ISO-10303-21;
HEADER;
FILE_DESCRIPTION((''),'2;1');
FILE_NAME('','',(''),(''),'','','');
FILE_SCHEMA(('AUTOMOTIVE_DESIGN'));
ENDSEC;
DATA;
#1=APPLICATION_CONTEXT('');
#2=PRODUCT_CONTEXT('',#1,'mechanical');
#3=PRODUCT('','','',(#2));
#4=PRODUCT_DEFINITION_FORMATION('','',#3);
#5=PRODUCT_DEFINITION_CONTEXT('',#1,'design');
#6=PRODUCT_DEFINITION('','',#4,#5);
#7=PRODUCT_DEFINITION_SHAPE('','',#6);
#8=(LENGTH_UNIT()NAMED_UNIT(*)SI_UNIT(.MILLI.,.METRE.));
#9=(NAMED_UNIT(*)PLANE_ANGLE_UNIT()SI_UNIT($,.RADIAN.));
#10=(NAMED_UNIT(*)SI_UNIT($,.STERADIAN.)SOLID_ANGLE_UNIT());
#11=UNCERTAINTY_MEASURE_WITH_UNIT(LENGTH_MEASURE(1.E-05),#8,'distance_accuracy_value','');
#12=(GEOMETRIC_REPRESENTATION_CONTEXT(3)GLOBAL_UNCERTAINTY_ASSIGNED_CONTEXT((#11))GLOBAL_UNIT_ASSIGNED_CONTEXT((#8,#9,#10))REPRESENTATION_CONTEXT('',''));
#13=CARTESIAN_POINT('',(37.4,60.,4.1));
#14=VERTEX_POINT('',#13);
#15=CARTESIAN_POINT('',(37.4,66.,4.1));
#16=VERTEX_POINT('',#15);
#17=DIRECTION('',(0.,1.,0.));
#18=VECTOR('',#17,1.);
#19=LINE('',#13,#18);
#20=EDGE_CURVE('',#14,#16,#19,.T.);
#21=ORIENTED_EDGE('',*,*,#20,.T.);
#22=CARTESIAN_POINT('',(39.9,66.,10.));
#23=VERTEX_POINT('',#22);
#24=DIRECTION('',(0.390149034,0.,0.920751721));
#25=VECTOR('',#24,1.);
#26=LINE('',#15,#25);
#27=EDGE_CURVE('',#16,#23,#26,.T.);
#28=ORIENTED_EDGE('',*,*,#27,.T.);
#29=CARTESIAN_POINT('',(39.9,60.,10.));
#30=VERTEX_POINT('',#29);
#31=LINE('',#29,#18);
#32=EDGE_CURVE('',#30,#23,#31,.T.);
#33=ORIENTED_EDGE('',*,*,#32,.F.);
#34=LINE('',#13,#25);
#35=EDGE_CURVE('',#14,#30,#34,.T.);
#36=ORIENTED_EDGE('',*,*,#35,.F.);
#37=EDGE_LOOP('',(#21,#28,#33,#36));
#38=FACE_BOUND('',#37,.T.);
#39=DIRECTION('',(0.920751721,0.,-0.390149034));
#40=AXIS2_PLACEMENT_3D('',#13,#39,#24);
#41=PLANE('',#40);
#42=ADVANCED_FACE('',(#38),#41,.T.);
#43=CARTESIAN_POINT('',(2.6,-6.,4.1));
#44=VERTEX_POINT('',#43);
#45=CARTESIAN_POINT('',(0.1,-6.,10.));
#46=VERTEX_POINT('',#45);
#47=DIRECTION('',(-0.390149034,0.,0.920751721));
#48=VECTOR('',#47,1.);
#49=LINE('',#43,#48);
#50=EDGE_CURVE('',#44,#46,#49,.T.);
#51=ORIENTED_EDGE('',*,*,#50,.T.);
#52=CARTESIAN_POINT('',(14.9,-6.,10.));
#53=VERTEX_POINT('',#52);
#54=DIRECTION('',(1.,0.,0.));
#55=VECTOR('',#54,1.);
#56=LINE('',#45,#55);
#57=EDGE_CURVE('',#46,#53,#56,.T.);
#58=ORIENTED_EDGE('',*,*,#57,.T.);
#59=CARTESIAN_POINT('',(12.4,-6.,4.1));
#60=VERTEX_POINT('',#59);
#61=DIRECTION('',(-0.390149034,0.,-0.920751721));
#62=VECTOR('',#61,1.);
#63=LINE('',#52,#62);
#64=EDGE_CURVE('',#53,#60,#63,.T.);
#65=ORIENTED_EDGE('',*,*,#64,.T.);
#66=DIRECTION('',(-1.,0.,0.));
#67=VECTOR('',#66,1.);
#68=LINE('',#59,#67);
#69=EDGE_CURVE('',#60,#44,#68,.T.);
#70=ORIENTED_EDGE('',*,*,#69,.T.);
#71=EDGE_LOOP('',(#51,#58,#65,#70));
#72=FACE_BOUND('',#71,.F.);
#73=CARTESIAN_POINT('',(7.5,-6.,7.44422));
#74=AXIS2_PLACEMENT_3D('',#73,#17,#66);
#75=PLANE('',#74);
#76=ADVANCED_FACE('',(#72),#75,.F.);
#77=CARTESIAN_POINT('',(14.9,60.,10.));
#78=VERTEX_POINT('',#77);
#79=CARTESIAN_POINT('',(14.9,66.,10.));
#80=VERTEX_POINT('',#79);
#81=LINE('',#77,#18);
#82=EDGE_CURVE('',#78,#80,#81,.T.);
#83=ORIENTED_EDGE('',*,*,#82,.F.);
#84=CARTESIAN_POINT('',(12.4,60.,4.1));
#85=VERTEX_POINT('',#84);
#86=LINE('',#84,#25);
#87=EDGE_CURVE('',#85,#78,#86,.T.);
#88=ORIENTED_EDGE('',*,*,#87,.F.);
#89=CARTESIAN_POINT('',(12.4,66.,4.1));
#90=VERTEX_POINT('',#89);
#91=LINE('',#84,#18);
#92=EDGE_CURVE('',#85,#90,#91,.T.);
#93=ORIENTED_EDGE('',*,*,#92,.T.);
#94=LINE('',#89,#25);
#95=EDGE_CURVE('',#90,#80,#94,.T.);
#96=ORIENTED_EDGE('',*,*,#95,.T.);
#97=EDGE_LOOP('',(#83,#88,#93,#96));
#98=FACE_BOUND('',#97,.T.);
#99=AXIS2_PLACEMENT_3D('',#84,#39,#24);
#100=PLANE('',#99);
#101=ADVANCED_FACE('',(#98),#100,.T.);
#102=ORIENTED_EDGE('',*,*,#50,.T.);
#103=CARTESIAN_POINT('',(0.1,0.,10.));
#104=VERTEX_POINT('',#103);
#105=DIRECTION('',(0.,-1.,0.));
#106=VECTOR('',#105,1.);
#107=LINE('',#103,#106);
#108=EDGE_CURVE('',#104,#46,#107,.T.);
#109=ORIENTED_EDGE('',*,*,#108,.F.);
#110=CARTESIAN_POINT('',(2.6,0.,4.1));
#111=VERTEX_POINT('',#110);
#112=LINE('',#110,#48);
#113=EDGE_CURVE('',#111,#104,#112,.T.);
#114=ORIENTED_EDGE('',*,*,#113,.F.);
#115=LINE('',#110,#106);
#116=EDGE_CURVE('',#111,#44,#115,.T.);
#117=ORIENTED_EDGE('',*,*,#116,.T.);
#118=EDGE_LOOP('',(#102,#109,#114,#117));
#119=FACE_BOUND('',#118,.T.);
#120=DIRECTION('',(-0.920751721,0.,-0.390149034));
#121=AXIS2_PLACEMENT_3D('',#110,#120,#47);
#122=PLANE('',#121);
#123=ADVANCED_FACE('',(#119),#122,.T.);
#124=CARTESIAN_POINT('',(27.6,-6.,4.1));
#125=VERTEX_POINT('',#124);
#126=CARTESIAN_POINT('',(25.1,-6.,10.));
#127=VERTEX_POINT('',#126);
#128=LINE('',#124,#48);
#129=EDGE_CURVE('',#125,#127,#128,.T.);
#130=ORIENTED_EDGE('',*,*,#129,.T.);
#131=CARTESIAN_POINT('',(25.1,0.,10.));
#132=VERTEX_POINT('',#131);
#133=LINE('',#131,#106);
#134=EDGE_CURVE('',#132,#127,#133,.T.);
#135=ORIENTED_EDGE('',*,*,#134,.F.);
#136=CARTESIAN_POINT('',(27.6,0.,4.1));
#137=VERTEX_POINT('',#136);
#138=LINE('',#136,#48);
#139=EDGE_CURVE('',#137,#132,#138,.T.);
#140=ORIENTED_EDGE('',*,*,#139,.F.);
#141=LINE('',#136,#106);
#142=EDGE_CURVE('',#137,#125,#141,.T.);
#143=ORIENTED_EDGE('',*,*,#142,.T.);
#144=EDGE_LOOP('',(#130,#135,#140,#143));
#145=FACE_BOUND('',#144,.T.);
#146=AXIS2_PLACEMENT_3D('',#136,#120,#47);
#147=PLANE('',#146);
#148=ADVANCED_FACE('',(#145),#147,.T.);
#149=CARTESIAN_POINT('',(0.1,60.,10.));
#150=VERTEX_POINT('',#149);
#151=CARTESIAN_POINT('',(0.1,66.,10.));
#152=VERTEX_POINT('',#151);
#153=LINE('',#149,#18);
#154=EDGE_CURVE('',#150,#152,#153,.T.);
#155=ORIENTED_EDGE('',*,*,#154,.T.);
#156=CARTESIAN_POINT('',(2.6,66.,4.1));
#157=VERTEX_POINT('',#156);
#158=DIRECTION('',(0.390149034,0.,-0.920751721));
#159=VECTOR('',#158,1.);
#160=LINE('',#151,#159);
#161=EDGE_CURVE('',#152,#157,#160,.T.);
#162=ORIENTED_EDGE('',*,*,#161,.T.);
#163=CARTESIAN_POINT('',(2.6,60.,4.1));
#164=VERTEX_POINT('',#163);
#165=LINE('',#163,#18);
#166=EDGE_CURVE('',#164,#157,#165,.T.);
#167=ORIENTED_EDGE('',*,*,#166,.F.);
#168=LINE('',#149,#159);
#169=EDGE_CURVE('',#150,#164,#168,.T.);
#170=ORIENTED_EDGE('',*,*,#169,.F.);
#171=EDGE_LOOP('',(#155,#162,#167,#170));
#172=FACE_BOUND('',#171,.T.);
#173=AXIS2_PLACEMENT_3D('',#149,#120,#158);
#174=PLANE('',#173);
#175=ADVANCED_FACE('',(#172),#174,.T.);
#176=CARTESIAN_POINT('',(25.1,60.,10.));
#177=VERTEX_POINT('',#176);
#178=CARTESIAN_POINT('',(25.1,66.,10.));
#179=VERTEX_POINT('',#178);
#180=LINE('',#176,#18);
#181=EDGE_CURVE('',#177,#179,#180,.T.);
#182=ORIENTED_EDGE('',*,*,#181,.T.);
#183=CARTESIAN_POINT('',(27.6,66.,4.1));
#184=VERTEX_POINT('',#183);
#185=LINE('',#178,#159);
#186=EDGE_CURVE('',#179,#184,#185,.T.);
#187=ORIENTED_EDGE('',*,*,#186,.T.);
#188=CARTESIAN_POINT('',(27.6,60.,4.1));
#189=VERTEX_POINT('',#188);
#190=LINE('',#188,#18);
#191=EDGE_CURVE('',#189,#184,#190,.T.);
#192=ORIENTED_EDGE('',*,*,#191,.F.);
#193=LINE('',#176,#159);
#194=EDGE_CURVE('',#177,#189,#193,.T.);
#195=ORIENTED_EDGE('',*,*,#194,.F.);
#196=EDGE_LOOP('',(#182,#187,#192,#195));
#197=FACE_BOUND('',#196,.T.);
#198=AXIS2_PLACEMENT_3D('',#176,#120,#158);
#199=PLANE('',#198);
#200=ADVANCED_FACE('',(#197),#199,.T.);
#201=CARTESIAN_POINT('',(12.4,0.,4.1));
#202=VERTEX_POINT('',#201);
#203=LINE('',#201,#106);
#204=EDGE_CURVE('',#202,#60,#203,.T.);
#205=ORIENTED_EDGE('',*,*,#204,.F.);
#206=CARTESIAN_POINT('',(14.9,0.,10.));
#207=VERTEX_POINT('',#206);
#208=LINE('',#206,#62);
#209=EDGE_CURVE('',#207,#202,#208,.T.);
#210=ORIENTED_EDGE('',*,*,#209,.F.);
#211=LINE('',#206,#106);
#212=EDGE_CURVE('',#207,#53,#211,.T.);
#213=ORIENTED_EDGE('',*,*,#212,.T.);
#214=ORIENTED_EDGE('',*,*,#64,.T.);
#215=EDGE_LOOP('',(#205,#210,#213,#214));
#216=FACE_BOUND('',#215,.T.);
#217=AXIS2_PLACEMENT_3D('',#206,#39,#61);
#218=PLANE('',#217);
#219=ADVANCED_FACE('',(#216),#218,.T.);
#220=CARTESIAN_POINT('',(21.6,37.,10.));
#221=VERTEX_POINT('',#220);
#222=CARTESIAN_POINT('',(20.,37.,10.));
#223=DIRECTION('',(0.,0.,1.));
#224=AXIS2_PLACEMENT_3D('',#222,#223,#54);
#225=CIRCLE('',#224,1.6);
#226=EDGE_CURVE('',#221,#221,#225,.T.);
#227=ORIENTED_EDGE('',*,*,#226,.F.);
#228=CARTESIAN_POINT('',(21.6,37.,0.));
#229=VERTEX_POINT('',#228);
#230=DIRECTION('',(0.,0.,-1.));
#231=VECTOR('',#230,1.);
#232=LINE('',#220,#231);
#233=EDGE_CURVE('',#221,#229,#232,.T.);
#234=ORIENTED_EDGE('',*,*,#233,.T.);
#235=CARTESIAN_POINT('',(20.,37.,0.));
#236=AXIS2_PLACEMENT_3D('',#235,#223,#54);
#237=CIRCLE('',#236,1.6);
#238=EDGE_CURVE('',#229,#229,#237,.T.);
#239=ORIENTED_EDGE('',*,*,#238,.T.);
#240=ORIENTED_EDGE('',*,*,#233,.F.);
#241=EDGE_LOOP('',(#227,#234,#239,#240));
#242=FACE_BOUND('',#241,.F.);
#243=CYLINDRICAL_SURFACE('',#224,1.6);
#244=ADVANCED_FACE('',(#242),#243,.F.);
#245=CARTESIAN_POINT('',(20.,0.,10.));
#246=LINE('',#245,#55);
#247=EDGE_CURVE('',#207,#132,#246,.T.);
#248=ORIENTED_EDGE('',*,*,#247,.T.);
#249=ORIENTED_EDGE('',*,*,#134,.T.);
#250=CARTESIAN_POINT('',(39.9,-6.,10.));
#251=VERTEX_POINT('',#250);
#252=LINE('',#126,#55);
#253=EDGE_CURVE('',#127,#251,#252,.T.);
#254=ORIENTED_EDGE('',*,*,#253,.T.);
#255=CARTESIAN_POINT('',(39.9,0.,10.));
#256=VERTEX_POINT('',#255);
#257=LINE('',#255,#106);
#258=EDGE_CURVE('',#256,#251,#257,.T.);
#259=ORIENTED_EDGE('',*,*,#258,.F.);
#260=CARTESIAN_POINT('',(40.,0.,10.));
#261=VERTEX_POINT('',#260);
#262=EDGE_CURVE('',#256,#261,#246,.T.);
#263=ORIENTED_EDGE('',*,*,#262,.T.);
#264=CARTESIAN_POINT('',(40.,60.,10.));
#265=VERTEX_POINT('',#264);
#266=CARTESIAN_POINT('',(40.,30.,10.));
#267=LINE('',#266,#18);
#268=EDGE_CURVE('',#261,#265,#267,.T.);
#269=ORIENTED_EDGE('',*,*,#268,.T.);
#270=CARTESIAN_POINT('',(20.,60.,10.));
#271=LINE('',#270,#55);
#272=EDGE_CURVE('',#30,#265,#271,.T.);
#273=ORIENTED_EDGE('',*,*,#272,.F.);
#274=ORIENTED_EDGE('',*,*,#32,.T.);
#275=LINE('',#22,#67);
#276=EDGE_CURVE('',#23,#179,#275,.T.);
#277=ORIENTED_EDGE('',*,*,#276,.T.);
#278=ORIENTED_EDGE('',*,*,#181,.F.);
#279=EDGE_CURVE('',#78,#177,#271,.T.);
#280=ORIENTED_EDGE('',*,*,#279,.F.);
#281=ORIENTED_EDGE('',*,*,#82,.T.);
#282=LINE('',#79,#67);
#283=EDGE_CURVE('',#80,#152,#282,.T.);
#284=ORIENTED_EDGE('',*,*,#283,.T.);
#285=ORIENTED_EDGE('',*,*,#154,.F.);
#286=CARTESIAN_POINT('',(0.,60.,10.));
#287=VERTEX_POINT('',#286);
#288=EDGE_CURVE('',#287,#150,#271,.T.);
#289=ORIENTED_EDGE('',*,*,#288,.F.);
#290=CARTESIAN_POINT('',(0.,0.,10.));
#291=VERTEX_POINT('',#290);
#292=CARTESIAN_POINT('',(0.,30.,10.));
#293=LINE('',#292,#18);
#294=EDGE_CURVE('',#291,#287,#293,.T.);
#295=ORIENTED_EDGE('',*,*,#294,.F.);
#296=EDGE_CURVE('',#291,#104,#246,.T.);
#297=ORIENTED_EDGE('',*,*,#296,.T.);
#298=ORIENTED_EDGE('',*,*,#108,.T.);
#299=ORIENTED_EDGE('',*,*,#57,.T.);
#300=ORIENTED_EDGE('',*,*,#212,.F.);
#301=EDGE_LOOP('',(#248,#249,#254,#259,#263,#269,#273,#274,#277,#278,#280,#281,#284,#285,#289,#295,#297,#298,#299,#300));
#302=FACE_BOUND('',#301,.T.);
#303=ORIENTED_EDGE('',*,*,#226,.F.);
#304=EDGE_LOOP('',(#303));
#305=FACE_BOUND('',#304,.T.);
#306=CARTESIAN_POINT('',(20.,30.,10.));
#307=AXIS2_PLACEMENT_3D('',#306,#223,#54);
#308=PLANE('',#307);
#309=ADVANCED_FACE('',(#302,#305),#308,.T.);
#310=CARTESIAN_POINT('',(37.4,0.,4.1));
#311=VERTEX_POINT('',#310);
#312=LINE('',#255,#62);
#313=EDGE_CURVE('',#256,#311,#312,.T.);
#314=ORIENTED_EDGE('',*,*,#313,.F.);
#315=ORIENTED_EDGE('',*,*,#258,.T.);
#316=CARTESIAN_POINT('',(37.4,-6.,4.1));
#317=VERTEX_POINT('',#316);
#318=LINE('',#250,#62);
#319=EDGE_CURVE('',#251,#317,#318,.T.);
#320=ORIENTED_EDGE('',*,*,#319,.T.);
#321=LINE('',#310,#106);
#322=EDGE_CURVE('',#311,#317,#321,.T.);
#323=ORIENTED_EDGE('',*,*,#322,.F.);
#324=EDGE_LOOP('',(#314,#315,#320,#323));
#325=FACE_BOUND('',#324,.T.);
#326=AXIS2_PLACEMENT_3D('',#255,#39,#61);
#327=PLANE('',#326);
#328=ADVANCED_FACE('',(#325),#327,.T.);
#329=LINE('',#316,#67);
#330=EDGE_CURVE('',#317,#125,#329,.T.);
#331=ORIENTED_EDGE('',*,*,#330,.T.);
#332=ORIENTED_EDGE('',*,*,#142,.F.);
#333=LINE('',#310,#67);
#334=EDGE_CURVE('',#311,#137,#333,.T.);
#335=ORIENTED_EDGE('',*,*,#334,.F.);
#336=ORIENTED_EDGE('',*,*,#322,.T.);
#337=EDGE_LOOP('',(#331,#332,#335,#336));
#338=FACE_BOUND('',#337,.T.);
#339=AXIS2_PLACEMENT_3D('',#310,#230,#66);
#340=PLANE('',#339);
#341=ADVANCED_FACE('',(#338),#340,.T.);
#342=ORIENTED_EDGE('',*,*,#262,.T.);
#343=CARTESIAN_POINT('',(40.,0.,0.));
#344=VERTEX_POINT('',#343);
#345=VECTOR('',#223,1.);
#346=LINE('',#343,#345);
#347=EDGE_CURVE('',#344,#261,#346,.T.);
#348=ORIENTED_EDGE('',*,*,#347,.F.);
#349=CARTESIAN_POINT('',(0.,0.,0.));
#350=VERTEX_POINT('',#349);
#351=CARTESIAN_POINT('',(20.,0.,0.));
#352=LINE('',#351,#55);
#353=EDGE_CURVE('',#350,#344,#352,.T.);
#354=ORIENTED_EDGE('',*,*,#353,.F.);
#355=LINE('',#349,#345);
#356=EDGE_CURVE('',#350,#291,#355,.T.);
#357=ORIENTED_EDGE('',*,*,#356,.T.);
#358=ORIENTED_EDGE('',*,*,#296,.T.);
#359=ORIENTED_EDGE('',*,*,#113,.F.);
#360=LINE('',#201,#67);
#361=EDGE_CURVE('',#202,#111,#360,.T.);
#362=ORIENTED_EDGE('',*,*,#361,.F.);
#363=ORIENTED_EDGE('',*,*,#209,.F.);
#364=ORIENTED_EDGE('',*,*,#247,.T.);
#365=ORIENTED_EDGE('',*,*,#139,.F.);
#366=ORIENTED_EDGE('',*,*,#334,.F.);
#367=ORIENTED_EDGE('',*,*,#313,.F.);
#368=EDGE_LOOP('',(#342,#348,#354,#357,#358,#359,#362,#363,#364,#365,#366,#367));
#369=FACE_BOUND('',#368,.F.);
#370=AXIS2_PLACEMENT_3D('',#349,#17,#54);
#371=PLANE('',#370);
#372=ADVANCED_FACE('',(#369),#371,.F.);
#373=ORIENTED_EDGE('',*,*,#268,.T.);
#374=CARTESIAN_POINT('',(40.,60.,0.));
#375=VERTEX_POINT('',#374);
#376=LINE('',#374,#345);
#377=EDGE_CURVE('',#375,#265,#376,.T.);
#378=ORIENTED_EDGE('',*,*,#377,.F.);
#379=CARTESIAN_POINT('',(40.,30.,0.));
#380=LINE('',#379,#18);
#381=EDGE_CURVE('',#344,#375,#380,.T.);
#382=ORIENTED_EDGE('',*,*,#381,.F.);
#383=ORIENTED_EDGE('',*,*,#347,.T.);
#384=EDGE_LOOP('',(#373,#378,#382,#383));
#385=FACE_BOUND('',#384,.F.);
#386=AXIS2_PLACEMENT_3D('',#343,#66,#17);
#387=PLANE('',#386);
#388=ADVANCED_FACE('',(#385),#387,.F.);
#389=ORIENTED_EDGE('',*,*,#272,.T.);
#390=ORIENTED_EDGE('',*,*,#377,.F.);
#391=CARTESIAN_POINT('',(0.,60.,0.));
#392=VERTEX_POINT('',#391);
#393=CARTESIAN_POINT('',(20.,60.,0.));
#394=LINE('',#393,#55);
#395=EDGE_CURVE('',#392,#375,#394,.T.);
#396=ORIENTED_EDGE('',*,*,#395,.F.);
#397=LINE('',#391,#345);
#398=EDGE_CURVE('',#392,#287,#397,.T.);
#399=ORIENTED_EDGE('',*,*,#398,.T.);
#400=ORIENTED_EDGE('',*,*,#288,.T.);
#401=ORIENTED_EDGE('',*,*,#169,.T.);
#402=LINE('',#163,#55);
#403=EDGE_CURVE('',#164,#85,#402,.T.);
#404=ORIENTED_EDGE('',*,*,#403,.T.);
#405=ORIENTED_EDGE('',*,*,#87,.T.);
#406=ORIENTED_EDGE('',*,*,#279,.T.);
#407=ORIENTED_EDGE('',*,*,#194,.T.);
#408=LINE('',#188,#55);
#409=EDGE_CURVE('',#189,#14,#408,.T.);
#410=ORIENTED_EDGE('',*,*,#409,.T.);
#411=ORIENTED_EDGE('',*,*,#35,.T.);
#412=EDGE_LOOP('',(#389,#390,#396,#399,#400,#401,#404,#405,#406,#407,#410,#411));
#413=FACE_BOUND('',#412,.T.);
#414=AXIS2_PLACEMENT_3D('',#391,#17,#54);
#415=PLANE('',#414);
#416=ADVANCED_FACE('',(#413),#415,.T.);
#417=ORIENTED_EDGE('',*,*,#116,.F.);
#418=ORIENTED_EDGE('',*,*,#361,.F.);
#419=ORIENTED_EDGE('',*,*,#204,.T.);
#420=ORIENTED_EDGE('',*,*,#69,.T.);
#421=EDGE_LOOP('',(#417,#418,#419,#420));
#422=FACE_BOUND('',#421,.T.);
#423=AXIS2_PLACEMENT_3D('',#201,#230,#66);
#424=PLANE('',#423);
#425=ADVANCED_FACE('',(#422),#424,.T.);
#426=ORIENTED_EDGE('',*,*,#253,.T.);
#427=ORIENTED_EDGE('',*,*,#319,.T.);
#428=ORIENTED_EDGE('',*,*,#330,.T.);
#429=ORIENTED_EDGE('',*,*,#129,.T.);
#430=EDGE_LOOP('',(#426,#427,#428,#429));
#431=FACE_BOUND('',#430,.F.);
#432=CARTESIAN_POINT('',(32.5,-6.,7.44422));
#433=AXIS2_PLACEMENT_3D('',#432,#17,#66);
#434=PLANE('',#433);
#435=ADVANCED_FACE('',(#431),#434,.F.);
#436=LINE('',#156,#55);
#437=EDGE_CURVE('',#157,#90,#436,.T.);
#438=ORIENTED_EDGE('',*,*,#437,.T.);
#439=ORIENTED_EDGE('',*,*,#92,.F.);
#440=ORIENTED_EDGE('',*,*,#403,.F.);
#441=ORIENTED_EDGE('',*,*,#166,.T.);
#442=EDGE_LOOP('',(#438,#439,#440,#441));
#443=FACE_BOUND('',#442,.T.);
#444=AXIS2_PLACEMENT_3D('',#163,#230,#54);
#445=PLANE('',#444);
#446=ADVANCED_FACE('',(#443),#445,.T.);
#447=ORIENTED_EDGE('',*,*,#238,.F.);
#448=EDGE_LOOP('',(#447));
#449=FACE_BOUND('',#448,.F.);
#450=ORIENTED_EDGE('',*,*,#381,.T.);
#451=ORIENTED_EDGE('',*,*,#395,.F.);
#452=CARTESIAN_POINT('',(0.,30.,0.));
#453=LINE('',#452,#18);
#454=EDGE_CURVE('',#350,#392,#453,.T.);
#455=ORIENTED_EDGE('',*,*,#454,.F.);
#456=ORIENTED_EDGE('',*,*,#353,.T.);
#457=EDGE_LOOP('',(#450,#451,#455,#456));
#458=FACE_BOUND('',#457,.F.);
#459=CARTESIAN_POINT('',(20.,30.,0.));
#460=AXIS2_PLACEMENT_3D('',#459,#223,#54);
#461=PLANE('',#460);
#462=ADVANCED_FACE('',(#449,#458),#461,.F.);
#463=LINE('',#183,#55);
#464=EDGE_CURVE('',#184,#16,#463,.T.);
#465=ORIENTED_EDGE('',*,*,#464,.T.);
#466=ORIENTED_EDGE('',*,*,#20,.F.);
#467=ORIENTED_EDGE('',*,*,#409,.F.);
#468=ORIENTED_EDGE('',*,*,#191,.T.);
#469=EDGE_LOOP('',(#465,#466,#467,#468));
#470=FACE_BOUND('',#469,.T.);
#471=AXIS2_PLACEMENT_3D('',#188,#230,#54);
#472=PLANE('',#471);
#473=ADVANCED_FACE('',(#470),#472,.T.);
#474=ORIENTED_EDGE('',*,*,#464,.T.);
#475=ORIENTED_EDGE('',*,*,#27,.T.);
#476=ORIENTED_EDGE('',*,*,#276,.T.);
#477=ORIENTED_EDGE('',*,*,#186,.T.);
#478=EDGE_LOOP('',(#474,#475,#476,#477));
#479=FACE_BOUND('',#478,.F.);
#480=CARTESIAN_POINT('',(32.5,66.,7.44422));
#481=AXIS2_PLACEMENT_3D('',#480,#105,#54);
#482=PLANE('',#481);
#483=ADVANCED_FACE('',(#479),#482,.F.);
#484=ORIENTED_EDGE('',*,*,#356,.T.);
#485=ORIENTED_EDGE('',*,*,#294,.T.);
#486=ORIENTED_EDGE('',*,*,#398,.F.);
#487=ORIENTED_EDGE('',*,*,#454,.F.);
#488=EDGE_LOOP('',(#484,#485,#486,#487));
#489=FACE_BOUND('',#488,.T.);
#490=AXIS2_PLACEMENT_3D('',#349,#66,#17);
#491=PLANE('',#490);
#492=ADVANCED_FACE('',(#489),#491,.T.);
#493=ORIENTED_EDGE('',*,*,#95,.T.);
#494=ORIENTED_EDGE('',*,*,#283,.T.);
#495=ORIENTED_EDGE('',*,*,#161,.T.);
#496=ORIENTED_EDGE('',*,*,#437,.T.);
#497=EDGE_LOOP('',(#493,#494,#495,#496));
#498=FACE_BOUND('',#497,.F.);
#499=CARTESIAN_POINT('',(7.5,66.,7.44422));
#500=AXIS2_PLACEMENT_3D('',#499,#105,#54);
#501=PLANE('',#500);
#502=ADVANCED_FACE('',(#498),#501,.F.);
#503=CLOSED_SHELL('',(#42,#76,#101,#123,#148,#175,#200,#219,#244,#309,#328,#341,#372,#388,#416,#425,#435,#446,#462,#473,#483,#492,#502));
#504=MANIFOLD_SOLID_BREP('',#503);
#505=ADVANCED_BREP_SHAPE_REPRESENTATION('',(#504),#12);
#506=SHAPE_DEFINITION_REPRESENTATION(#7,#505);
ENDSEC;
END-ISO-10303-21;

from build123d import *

# Parameters (mm, degrees)
SKETCH_W     = 40
SKETCH_H     = 60
PAD_DEPTH    = 10
PAD001_DEPTH = 6
PAD002_DEPTH = 6
SKETCH003_R  = 1.6
POCKET_DEPTH = 10


with BuildPart() as part:
    # Sketch → Pad (new body)
    with BuildSketch(Plane.XY):
        with Locations((20, 30)):
            Rectangle(SKETCH_W, SKETCH_H)
    extrude(amount=PAD_DEPTH)

    # Sketch001 (on Face3 of Pad) → Pad001 (join)
    with BuildSketch(Plane.XZ):
        Polygon((0.1, 10), (14.9, 10), (12.4, 4.1), (2.6, 4.1), align=None)
        Polygon((25.1, 10), (39.9, 10), (37.4, 4.1), (27.6, 4.1), align=None)
    extrude(amount=PAD001_DEPTH)

    # Sketch002 (on Face1 of Pad001) → Pad002 (join)
    with BuildSketch(Plane(origin=(0, 60, 0), x_dir=(-1, 0, 0), z_dir=(0, 1, 0))):
        Polygon((-39.9, 10), (-25.1, 10), (-27.6, 4.1), (-37.4, 4.1), align=None)
        Polygon((-14.9, 10), (-0.1, 10), (-2.6, 4.1), (-12.4, 4.1), align=None)
    extrude(amount=PAD002_DEPTH)

    # Sketch003 (on Face4 of Pad002) → Pocket (cut)
    with BuildSketch(Plane.XY.offset(10)):
        with Locations((20, 37)):
            Circle(SKETCH003_R)
    extrude(amount=-POCKET_DEPTH, mode=Mode.SUBTRACT)


solid = part.part
